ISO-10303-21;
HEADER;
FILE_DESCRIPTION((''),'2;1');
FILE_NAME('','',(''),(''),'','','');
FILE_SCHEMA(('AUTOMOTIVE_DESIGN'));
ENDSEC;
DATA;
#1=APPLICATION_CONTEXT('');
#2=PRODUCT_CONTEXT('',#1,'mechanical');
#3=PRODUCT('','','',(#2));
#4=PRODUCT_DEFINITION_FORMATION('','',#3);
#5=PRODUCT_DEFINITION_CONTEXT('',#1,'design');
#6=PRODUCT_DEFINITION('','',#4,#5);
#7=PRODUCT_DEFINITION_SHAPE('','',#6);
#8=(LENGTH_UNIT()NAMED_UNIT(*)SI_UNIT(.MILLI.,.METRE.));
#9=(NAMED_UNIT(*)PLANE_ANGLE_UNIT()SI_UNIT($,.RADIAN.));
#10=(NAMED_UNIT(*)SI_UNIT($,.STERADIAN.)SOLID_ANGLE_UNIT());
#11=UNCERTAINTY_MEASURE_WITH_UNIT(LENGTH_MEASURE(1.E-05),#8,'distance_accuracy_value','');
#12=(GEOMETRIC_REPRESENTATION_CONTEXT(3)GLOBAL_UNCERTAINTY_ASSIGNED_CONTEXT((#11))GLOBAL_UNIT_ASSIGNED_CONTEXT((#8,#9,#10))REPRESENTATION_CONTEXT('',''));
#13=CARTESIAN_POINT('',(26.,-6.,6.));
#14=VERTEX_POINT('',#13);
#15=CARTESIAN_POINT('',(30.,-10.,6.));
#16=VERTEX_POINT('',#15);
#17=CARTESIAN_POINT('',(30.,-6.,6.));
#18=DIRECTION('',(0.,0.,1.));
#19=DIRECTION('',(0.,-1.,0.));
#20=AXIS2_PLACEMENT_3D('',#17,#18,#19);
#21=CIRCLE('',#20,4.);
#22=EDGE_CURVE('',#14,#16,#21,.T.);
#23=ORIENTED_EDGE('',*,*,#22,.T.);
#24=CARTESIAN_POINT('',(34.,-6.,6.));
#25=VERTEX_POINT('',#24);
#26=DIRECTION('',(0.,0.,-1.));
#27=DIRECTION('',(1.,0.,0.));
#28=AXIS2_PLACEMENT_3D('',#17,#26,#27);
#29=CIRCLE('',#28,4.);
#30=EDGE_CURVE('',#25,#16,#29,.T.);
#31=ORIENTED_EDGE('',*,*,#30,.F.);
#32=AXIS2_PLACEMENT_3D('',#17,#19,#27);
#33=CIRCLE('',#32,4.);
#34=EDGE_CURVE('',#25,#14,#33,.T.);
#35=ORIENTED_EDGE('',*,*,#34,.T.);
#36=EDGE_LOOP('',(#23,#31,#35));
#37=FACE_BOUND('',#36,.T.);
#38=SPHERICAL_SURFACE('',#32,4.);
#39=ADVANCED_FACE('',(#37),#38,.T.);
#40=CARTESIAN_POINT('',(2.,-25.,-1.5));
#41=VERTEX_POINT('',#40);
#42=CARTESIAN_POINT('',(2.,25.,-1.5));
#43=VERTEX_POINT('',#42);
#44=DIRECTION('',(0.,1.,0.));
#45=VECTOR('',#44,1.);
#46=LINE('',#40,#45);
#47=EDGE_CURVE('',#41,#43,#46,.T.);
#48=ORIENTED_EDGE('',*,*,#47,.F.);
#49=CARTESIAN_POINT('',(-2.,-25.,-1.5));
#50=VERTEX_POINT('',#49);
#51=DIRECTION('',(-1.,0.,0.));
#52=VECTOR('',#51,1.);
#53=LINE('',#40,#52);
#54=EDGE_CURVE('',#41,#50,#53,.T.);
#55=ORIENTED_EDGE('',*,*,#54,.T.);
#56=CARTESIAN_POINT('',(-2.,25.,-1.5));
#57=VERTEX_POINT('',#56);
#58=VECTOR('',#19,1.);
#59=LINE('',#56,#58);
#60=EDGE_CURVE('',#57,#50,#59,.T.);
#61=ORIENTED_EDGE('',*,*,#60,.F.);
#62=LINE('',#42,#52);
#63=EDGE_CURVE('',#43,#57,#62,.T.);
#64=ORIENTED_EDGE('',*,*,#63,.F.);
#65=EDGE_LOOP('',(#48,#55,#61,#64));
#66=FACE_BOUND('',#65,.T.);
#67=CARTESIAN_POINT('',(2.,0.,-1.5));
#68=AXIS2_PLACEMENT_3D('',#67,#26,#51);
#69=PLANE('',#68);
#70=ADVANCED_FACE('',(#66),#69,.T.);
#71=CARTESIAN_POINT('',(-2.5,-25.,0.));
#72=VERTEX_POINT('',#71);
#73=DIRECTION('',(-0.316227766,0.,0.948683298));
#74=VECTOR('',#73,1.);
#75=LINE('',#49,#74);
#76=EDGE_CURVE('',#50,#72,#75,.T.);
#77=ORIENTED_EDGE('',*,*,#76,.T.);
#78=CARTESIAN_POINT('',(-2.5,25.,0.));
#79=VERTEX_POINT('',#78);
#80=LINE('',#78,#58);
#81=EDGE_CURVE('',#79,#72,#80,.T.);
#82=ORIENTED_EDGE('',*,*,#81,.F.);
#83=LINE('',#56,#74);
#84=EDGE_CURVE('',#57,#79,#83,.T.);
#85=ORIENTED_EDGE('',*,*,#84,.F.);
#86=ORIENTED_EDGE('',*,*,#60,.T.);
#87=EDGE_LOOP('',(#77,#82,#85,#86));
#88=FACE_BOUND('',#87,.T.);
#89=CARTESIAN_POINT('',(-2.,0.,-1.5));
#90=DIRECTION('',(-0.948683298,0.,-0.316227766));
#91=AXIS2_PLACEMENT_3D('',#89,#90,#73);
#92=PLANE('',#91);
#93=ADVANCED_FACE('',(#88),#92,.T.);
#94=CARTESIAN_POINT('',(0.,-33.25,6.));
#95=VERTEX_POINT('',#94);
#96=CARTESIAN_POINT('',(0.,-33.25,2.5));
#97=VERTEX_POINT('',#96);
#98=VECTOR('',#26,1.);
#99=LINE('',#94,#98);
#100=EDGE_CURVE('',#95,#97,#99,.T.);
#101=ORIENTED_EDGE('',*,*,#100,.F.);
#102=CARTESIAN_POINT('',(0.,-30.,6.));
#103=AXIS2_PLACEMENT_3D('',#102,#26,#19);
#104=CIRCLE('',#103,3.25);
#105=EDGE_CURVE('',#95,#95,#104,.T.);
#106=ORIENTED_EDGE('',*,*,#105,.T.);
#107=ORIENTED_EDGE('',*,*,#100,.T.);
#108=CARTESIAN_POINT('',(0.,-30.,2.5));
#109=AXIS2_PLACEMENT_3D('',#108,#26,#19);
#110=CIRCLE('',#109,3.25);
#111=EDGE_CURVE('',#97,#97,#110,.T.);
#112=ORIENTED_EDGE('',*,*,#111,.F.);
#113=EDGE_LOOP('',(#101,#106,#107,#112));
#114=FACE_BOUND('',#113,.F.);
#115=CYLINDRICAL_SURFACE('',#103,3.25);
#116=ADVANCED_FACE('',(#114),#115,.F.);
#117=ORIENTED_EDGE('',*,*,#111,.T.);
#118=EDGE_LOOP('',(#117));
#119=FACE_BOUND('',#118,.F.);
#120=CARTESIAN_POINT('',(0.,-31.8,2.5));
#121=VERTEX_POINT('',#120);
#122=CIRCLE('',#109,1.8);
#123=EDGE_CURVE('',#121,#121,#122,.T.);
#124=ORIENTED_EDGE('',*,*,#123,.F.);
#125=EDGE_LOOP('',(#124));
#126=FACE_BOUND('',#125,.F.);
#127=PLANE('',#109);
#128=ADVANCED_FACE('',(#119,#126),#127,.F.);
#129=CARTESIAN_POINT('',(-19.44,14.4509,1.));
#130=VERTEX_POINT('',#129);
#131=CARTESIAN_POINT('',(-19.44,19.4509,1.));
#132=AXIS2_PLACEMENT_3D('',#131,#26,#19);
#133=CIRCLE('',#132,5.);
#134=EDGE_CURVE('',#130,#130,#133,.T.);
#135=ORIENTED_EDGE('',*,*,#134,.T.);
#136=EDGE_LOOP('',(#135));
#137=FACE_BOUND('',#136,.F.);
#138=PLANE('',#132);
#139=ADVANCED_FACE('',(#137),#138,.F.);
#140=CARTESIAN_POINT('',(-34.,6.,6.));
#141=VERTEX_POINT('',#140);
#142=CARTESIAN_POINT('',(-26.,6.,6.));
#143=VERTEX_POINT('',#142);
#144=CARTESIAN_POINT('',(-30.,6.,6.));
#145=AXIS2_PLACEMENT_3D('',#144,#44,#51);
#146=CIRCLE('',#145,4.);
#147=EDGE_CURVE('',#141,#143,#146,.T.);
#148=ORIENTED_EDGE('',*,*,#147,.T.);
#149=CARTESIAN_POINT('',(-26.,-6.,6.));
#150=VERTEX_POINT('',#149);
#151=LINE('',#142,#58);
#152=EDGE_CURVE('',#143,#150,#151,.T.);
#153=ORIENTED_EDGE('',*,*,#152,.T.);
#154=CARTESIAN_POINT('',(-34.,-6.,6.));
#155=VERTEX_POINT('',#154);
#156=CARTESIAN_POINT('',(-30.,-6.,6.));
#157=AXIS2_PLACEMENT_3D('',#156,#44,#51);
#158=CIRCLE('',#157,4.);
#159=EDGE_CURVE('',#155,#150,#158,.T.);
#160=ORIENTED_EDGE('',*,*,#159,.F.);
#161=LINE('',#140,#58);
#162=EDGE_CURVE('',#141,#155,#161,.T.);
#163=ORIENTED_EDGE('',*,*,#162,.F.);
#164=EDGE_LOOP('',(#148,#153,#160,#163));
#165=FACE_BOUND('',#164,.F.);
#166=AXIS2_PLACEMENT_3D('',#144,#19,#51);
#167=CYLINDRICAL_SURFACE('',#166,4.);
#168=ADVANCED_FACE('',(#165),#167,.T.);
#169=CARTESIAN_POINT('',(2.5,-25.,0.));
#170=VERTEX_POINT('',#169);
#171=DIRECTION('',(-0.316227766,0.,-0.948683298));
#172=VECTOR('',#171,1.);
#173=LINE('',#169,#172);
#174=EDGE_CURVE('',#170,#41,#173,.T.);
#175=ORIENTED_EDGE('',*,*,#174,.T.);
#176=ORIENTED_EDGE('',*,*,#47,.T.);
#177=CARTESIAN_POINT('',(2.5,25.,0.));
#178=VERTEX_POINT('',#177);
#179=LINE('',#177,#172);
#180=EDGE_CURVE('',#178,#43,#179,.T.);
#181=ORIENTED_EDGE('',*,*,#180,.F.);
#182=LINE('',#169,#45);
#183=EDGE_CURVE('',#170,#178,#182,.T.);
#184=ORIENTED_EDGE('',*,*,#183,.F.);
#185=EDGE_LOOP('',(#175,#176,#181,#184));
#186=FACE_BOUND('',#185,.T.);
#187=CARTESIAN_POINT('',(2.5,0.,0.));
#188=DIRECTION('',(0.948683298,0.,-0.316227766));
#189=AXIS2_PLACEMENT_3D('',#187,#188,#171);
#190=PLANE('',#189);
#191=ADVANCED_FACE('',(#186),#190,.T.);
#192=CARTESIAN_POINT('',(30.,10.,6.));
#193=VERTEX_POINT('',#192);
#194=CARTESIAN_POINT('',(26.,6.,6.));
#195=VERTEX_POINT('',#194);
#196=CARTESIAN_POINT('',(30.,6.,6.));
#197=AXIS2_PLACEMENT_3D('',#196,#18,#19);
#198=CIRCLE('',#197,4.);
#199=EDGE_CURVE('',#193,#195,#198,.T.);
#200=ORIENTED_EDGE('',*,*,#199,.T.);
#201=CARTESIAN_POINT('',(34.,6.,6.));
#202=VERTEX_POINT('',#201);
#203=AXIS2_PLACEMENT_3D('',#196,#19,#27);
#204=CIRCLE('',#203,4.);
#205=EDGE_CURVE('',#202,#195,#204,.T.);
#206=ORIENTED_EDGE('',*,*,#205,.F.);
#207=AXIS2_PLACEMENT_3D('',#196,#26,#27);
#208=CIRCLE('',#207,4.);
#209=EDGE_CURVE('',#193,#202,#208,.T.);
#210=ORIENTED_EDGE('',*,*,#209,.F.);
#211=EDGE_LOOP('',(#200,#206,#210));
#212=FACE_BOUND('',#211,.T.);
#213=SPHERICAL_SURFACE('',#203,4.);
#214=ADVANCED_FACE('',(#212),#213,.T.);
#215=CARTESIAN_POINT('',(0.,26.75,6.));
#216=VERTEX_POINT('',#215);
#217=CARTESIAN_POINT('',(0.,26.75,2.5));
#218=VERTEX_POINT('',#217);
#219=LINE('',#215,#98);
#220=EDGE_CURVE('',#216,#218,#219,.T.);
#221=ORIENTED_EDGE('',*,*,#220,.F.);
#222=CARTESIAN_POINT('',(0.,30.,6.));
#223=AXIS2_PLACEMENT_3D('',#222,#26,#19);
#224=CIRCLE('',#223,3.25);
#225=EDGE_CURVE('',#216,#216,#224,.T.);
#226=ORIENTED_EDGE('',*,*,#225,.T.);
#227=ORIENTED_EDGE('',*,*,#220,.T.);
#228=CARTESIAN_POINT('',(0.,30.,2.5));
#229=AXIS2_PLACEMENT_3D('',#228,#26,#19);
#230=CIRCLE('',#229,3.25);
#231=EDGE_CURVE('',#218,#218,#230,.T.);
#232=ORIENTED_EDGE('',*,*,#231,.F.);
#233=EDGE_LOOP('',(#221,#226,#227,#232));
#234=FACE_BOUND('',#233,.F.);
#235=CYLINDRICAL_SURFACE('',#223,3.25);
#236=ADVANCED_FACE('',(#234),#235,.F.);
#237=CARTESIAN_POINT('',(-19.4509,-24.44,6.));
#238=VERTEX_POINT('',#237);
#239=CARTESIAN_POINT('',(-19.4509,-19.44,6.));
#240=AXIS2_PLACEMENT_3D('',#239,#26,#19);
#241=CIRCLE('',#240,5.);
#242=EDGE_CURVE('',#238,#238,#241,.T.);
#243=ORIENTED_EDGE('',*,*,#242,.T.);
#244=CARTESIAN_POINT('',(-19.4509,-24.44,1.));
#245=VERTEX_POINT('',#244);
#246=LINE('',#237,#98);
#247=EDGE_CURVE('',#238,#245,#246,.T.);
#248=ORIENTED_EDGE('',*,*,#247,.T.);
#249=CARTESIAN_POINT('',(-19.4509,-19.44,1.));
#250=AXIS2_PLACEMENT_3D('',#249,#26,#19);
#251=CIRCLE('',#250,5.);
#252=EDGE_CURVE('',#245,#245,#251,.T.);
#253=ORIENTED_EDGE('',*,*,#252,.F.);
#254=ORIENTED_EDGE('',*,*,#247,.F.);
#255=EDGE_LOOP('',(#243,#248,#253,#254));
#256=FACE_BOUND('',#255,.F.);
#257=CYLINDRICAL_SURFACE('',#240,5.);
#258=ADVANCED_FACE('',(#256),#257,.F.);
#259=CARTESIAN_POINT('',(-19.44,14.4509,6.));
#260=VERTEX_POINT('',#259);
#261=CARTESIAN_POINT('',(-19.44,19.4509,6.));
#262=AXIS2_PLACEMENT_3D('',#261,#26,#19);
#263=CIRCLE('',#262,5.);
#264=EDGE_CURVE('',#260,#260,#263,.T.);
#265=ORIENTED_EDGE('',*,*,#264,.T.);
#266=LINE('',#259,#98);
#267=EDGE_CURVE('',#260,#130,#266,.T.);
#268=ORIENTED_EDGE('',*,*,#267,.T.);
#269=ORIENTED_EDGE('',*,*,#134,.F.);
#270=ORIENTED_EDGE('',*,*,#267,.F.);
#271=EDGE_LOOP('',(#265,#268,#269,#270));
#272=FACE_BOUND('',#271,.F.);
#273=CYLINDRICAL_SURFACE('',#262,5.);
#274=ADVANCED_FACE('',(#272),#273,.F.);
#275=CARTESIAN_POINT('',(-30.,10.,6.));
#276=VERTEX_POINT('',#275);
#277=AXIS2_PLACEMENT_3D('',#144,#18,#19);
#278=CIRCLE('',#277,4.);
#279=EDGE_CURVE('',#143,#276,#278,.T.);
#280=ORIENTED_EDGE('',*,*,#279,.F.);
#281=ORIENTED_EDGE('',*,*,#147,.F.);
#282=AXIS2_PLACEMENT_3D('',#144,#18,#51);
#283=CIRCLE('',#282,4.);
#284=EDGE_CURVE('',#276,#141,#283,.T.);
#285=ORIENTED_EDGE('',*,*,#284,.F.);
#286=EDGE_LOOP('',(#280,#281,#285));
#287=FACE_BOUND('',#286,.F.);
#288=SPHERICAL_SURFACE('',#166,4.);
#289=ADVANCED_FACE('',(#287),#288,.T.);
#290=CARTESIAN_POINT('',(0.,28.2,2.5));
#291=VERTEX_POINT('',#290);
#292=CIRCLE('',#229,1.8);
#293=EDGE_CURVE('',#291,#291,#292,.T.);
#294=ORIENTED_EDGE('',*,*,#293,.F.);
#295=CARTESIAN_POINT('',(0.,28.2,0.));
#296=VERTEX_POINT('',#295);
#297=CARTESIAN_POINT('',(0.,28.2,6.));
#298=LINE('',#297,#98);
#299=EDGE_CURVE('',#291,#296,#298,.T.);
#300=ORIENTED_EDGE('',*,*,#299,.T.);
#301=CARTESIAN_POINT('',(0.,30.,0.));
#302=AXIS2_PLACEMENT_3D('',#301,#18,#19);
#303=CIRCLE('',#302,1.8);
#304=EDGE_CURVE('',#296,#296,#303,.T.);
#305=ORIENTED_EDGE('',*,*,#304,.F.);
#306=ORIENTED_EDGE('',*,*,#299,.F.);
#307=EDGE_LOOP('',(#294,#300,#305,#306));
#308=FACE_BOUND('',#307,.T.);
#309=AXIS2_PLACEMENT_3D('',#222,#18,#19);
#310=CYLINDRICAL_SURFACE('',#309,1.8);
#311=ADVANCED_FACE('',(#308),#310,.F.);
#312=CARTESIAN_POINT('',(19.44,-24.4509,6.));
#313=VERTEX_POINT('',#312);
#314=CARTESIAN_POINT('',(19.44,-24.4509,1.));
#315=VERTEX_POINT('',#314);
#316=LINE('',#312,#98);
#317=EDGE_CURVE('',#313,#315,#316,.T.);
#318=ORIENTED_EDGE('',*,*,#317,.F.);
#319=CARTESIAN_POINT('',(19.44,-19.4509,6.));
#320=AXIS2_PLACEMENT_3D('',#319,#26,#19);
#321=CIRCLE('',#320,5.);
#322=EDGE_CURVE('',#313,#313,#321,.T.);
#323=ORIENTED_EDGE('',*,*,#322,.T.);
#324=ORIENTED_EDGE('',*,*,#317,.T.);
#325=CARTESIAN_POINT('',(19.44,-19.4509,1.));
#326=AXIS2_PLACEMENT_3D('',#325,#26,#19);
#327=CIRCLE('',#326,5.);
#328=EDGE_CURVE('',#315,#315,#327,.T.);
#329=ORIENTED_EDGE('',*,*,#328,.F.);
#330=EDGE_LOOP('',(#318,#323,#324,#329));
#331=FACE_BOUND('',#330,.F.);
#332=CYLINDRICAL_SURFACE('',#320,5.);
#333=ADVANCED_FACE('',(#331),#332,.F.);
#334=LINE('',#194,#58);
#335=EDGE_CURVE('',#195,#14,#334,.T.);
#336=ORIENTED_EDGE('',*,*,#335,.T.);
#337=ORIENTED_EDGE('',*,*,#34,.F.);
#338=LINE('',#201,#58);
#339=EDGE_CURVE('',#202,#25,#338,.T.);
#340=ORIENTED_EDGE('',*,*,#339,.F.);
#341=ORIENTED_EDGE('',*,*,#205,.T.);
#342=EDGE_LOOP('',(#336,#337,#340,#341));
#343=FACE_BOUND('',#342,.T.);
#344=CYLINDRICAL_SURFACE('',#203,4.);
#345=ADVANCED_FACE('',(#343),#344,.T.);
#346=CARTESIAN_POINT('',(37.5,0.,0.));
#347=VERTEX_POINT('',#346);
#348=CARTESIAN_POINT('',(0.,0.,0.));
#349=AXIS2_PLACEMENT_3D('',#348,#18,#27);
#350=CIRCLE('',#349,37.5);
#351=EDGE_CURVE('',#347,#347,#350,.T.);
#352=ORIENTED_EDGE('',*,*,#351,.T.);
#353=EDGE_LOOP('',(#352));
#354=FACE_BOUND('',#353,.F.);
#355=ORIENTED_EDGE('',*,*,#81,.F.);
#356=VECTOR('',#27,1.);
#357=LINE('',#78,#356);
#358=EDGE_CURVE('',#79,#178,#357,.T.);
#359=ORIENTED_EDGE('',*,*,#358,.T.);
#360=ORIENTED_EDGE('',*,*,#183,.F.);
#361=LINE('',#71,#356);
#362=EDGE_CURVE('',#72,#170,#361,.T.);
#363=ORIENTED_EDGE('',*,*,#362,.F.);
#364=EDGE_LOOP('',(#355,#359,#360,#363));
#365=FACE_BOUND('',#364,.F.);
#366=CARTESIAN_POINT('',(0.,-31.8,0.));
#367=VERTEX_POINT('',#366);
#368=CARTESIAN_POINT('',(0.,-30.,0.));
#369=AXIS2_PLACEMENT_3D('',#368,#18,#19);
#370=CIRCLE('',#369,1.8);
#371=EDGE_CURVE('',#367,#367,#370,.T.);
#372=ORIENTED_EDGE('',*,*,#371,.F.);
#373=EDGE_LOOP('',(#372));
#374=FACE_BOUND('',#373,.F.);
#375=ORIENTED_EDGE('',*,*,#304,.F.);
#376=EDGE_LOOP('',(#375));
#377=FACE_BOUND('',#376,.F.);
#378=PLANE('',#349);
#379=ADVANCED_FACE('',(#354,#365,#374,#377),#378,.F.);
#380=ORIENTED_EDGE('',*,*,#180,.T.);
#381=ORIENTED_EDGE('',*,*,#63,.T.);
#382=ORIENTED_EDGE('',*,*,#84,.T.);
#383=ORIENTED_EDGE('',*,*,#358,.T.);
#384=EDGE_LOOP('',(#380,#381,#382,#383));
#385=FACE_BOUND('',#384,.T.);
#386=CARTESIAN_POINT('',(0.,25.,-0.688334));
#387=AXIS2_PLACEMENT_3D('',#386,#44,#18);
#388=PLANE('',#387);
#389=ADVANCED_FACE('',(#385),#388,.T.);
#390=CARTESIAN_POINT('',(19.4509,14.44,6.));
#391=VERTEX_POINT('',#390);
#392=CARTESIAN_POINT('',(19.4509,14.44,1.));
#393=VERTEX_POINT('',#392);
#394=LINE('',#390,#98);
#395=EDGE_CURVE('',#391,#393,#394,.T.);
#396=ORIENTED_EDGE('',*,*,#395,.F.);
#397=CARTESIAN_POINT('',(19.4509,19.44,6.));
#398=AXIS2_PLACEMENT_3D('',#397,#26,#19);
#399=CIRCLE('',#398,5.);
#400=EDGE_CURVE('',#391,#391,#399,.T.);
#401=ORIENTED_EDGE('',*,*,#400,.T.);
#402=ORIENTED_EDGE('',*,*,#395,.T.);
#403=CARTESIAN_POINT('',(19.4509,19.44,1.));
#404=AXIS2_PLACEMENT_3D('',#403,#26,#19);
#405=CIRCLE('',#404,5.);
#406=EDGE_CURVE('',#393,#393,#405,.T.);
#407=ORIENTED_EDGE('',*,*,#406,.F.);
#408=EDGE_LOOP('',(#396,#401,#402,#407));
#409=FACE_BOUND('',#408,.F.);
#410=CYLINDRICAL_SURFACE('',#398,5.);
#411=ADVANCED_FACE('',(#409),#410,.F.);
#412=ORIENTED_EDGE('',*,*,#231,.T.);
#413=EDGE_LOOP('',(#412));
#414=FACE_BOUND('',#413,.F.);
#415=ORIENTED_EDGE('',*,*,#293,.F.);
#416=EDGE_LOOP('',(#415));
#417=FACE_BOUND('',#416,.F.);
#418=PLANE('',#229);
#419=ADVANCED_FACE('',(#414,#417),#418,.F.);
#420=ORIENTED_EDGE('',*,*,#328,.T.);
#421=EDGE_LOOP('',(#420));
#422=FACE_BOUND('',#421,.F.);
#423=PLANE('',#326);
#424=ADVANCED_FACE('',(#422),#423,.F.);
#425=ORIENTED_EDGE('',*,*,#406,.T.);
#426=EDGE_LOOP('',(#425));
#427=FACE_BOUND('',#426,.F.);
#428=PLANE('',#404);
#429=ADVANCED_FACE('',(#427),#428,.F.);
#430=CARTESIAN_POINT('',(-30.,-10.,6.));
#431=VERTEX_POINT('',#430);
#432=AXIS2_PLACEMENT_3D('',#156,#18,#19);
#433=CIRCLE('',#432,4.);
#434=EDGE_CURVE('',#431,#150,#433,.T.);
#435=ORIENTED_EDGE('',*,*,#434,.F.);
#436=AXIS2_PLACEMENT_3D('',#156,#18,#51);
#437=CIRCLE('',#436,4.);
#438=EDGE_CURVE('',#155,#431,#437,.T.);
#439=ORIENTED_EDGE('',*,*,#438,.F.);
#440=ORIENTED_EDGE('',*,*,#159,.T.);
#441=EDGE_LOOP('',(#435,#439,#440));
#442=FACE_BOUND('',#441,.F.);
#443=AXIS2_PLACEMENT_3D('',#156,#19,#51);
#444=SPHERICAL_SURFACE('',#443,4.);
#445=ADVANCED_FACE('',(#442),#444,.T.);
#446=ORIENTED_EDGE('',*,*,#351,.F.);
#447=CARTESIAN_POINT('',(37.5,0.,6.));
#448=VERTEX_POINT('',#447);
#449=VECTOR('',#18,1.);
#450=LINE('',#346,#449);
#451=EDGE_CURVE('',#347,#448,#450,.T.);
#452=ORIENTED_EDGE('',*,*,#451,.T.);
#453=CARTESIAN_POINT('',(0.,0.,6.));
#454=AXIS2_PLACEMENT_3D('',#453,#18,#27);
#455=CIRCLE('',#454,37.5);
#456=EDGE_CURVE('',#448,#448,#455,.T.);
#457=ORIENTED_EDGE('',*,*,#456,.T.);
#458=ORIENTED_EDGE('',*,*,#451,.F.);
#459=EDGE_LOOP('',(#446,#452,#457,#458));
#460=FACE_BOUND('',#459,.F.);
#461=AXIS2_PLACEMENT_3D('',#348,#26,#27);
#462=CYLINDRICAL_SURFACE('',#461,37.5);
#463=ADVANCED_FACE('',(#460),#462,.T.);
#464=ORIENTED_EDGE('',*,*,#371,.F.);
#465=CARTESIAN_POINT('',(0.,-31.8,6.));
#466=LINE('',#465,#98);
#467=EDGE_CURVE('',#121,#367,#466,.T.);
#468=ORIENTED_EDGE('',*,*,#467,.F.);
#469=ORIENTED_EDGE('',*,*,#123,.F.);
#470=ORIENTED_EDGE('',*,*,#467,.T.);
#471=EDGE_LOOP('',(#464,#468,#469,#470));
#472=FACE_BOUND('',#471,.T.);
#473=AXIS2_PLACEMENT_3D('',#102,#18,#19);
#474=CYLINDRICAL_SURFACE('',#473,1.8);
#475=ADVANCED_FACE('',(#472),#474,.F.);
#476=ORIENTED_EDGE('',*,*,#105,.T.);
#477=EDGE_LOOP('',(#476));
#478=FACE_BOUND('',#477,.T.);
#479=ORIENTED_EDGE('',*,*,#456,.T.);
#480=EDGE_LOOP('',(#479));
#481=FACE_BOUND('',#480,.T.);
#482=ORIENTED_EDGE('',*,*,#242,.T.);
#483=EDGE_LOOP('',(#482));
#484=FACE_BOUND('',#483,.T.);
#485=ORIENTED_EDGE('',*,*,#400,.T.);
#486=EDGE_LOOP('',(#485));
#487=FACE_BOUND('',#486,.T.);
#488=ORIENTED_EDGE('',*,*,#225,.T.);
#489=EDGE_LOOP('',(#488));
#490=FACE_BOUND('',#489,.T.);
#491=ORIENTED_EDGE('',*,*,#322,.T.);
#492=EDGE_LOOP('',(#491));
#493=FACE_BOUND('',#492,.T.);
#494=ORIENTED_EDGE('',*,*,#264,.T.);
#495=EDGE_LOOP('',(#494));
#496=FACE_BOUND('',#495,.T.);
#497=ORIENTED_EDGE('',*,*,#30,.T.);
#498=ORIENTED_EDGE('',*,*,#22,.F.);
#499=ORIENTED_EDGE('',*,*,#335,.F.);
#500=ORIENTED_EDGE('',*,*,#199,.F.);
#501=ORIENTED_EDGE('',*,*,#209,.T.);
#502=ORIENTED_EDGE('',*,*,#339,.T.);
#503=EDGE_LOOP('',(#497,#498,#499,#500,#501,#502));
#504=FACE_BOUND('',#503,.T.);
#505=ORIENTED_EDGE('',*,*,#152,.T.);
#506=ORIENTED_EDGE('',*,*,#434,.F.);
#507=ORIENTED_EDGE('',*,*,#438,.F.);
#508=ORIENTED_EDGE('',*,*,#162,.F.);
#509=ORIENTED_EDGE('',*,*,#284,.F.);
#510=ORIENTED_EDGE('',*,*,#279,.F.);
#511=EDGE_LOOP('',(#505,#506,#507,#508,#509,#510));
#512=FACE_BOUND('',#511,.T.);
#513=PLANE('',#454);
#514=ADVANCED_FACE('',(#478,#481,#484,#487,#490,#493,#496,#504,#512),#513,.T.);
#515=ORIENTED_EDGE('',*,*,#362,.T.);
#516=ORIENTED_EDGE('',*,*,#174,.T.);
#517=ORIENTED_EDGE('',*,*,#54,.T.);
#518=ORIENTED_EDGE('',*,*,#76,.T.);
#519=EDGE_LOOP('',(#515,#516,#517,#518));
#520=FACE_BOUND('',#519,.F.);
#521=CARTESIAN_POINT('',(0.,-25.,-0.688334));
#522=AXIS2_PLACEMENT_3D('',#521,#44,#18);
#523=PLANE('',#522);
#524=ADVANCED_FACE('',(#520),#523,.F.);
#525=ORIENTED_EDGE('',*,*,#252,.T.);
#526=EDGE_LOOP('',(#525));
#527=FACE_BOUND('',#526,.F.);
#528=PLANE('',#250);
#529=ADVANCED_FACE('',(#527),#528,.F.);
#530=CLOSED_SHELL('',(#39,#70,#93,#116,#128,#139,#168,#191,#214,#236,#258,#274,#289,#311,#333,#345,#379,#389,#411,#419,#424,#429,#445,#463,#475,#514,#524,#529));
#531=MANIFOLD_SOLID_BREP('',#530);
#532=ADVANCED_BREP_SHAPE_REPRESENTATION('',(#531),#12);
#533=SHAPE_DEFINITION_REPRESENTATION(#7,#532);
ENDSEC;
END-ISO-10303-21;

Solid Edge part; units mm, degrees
sketch "Sketch1" plane through (0, 0, 0) normal (0, 0, 1) x (1, 0, 0)
  circle A0 centre (0, 0) radius 37.5
extrude "Extrusionsausprägung_1" add sketch "Sketch1" along normal blind 6
hole "Bohrung_1" at (-19.44, 19.4509, 6) direction (0, 0, -1) diameter 10 depth 5
hole "Hole1" at (19.4509, 19.44, 6) direction (0, 0, -1) diameter 10 depth 5
hole "Hole2" at (19.44, -19.4509, 6) direction (0, 0, -1) diameter 10 depth 5
hole "Hole3" at (-19.4509, -19.44, 6) direction (0, 0, -1) diameter 10 depth 5
sketch "Sketch2" plane through (0, 0, 0) normal (0, -1, 0) x (1, 0, 0)
  line L0 (-2.5, 0) -> (2.5, 0)
  line L1 (2.5, 0) -> (2, -1.5)
  line L2 (2, -1.5) -> (-2, -1.5)
  line L3 (-2, -1.5) -> (-2.5, 0)
  dimension "D1" = 4
  dimension "D2" = 5
  dimension "D3" = 1.5
extrude "Extrusionsausprägung_2" add sketch "Sketch2" along normal mid plane 50
hole "Bohrung_5" at (0, 30, 6) direction (0, 0, -1) diameter 3.6 end up to next counterbore diameter 6.5 counterbore depth 3.5
hole "Hole4" at (0, -30, 6) direction (0, 0, -1) diameter 3.6 end up to next counterbore diameter 6.5 counterbore depth 3.5
sketch "Sketch3" plane through (0, 0, 6) normal (0, 0, 1) x (-1, 0, 0)
  line L0 (34, -6) -> (34, 6)
  arc A0 (34, 6) -> (30, 10) centre (30, 6) ccw
  arc A1 (30, -10) -> (34, -6) centre (30, -6) ccw
  dimension "D1" = 20
  dimension "D2" = 4
  dimension "D3" = 30
revolve "Rotationsausprägung_1" add sketch "Sketch3" angle 360 about axis through (-30, -10, 6) along (0, 1, 0)
mirror "Mirror1" about plane through (0, 0, 0) normal (1, 0, 0) of "Rotationsausprägung_1"
